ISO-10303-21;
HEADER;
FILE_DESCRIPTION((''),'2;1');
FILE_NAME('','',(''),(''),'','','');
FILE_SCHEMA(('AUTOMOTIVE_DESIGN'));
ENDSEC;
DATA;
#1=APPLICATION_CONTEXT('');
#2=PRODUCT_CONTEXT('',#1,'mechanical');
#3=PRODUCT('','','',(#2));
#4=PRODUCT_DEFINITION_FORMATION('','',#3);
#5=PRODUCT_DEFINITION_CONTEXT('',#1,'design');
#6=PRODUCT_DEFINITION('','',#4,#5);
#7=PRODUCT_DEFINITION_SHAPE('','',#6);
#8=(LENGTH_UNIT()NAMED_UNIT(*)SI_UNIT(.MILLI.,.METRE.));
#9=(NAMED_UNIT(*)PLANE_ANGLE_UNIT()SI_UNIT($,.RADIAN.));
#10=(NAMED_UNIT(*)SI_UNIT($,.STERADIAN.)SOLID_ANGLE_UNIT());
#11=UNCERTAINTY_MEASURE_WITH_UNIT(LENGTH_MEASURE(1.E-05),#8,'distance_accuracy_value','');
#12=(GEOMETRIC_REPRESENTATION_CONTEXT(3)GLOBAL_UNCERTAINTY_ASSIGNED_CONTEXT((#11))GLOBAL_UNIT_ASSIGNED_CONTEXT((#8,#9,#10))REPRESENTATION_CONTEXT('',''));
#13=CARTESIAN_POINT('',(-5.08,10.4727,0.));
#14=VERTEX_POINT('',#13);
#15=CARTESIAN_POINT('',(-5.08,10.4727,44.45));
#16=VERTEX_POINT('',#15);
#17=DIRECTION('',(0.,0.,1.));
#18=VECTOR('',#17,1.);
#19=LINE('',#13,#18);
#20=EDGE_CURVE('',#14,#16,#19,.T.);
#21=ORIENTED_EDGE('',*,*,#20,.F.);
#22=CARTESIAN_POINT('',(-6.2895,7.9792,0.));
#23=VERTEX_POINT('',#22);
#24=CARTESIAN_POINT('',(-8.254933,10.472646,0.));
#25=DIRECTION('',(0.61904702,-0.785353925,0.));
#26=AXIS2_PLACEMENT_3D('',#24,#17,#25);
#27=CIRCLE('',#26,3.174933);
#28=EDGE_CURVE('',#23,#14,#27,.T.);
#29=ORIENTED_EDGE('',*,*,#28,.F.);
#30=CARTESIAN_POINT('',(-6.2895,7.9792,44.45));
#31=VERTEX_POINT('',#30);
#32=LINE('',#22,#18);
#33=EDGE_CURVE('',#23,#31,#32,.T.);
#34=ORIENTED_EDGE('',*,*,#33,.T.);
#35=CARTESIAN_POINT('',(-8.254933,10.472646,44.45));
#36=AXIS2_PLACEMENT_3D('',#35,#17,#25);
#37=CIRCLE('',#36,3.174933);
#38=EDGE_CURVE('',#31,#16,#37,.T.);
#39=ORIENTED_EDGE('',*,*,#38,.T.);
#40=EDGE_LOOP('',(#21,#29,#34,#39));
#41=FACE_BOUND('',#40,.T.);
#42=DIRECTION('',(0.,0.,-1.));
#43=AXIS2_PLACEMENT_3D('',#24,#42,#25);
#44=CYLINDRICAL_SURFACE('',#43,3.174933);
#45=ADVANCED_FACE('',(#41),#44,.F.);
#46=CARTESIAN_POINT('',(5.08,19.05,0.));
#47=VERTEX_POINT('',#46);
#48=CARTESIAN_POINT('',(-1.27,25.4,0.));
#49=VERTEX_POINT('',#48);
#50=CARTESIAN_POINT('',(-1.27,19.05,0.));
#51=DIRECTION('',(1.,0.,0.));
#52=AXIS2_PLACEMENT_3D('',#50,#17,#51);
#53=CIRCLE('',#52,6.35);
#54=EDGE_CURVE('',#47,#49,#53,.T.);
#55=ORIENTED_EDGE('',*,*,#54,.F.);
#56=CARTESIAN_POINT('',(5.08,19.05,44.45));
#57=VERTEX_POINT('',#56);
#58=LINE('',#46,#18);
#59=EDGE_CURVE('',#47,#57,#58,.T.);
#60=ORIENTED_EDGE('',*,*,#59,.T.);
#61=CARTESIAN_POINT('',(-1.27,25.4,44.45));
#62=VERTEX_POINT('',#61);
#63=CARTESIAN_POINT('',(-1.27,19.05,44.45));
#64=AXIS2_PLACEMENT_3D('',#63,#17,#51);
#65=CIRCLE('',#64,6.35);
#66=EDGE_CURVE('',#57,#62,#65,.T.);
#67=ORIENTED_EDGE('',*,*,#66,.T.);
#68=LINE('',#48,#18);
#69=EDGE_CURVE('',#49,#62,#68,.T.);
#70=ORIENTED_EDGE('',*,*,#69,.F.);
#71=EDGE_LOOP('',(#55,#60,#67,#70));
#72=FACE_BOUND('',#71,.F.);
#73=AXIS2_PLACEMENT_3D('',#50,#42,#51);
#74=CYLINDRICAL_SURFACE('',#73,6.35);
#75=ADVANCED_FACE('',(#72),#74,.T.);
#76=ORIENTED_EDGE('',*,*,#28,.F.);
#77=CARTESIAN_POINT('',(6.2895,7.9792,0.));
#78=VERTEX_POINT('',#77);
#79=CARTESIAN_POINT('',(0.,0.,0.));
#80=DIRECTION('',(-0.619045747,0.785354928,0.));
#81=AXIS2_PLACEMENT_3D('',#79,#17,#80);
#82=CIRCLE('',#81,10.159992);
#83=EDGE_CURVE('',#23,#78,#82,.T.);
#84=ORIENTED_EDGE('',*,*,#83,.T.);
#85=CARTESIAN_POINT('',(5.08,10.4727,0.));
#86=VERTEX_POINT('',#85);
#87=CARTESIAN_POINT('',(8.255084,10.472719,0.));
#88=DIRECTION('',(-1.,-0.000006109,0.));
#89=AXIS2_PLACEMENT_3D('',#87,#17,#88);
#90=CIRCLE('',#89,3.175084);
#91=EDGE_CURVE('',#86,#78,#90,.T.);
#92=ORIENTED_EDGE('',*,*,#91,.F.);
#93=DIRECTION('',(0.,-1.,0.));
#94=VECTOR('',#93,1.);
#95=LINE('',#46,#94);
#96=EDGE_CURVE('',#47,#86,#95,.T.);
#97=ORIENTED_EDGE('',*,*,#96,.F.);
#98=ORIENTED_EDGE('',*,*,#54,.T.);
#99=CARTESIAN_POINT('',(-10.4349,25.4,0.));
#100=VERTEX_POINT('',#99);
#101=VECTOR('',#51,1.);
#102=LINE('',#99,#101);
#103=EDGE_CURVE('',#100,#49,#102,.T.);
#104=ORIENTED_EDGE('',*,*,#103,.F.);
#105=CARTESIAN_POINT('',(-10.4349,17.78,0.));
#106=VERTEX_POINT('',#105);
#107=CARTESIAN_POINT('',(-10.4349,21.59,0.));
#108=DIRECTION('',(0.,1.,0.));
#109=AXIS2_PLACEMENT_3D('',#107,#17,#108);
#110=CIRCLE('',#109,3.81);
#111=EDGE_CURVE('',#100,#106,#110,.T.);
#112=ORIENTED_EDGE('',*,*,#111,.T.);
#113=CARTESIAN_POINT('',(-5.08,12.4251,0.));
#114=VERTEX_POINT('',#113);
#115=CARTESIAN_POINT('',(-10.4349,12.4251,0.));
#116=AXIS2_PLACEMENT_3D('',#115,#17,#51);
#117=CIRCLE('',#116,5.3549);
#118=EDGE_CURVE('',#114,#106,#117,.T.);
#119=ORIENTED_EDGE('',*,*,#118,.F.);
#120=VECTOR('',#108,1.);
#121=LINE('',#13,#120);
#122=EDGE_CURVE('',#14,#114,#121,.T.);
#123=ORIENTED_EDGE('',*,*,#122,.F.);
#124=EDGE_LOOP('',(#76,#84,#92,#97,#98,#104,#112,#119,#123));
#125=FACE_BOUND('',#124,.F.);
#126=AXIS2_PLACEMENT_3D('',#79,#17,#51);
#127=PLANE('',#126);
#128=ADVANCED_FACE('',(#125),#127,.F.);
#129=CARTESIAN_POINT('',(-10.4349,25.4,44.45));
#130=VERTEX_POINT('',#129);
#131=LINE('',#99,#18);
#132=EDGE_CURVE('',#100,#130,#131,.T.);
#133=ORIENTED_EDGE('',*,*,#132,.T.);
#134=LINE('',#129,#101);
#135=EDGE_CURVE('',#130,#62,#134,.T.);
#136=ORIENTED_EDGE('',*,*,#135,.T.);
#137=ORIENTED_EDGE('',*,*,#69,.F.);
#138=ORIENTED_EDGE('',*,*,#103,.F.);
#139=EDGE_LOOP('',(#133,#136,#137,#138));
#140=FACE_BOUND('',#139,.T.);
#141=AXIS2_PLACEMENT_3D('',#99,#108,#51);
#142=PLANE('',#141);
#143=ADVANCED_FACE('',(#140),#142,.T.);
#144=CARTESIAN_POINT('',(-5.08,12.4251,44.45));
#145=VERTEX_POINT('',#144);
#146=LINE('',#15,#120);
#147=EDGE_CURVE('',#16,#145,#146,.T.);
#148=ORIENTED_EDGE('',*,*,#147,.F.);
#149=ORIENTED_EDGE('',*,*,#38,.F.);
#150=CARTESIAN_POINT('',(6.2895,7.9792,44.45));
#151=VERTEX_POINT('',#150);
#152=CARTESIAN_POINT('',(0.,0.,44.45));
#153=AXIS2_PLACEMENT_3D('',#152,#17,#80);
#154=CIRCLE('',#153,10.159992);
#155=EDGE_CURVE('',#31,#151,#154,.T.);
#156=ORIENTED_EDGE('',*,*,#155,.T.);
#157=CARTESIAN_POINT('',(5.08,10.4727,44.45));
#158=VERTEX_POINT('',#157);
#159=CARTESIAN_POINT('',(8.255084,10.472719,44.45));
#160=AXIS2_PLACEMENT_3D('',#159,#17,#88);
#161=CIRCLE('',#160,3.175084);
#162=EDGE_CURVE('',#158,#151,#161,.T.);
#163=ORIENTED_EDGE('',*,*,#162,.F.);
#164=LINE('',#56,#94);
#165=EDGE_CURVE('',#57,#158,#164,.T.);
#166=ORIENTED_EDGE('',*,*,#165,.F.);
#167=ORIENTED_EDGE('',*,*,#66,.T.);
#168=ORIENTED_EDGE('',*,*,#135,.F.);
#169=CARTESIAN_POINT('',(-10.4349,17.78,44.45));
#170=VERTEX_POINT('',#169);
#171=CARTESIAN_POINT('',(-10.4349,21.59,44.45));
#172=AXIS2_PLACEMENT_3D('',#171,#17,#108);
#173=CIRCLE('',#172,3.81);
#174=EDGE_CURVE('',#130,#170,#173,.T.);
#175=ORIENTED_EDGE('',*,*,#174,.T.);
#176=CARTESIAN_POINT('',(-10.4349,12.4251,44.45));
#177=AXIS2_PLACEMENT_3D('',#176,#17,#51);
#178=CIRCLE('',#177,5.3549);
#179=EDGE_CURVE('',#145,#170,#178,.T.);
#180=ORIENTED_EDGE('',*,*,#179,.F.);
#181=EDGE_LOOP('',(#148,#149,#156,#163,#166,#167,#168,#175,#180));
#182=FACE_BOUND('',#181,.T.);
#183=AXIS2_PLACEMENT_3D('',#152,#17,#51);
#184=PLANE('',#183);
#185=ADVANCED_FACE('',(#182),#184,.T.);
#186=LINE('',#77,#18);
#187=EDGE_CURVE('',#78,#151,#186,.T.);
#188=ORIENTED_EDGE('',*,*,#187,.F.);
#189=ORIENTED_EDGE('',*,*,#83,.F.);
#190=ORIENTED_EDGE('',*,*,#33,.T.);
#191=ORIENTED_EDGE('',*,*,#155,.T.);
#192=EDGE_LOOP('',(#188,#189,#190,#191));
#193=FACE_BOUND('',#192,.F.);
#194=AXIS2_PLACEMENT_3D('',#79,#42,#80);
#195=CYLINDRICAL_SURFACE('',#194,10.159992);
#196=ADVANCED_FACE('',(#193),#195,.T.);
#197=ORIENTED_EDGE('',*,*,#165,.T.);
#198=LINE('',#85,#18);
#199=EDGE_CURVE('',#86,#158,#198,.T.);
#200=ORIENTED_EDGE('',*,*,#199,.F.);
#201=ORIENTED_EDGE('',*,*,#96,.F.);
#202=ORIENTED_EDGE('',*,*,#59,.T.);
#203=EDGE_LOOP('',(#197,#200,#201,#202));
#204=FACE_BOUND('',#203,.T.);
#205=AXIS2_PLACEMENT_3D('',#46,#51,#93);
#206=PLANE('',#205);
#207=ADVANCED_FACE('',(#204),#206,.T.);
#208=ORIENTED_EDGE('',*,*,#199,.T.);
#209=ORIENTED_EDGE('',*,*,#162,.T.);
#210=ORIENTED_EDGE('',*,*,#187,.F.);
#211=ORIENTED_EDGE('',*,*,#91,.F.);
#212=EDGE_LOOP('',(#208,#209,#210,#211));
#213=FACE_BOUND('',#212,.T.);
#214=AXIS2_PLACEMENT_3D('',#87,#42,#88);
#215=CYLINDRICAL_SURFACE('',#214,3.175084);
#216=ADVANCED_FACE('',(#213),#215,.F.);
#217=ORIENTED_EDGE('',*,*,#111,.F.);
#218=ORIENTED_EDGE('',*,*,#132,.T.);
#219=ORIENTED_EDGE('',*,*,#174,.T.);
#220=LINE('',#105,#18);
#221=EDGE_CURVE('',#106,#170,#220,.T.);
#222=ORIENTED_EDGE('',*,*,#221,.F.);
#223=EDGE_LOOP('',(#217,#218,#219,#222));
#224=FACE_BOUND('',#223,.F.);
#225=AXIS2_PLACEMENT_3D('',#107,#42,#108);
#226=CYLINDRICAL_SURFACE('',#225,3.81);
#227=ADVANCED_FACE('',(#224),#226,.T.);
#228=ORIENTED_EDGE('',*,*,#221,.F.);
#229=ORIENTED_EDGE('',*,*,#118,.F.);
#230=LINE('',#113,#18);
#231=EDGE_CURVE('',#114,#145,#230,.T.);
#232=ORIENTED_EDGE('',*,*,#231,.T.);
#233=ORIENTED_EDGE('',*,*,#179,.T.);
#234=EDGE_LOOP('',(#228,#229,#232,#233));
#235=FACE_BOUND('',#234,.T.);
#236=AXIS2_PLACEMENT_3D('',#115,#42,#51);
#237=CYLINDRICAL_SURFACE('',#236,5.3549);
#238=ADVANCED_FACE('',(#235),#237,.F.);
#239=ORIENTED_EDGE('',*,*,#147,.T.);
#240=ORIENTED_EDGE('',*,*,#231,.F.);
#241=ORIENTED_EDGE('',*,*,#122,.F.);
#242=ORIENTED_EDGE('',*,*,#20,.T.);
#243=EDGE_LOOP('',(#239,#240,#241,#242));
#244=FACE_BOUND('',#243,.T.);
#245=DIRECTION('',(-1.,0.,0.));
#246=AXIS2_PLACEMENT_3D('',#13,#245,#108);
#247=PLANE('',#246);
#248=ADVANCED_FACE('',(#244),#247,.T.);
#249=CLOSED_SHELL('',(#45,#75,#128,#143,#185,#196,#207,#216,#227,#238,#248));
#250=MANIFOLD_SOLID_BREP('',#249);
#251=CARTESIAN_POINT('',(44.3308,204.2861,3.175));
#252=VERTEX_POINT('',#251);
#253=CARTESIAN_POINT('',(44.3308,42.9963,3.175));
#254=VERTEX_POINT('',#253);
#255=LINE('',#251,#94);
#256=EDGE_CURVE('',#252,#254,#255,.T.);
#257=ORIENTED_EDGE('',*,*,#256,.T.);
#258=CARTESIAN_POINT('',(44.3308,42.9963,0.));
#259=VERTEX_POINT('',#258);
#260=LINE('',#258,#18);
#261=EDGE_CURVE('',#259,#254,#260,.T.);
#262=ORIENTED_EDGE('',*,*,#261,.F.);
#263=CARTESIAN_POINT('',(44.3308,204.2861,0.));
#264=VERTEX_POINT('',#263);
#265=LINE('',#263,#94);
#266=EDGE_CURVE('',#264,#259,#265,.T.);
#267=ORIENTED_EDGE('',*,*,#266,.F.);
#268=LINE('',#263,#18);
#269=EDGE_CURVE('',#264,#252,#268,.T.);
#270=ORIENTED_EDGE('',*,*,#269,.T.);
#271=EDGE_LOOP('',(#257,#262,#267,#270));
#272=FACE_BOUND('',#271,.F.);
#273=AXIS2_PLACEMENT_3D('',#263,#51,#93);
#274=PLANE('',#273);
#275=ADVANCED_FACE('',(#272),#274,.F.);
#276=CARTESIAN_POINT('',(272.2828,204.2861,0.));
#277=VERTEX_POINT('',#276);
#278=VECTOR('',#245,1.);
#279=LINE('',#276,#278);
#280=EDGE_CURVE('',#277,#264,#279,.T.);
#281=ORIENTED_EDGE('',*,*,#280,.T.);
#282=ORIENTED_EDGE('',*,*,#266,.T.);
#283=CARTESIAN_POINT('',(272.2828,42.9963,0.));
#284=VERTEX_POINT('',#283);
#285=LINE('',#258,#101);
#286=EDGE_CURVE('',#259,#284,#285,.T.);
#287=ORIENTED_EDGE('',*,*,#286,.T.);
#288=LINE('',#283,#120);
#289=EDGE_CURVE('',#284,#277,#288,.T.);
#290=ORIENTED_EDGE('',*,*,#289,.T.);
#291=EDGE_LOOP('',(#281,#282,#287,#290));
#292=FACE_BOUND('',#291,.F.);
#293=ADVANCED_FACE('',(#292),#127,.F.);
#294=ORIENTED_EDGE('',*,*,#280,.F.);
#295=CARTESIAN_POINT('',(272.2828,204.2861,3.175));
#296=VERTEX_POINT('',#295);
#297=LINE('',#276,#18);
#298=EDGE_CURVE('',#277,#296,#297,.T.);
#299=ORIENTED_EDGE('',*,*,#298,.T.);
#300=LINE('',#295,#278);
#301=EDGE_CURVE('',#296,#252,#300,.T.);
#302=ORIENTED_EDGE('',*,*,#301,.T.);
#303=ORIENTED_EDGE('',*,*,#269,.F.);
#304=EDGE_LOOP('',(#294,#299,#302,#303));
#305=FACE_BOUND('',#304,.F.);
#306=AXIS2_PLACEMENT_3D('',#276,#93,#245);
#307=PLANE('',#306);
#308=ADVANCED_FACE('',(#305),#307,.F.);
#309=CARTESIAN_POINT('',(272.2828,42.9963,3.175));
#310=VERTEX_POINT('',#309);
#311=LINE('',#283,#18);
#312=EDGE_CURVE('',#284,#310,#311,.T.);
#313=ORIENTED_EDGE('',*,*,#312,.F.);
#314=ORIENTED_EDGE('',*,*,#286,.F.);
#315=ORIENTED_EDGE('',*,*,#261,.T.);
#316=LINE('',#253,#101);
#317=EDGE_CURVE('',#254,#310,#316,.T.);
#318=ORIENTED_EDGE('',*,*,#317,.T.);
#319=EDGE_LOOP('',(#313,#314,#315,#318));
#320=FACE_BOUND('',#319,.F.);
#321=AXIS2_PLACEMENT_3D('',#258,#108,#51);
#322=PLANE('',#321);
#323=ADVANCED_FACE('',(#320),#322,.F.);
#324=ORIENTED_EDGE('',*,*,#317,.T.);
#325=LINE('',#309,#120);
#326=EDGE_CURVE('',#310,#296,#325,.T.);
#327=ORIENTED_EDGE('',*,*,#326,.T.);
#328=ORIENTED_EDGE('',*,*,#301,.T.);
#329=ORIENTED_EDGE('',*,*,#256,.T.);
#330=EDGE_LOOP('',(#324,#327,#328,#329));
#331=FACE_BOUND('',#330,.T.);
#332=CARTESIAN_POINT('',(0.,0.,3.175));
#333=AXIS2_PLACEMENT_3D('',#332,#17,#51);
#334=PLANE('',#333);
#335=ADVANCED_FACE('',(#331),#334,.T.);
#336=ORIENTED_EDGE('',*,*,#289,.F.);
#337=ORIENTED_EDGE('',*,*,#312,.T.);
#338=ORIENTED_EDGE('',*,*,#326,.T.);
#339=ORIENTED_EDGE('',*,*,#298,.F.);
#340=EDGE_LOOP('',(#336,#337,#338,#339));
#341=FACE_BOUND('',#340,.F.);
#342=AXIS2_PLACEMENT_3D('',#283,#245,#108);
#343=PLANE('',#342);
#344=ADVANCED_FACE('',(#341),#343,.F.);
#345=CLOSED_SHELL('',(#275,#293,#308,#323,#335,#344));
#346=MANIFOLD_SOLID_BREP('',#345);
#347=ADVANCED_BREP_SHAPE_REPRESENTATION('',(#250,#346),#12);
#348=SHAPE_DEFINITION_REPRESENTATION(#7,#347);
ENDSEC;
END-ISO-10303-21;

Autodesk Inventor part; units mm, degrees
sketch "Sketch1" plane through (0, 0, 0) normal (0, 0, 1) x (1, 0, 0)
  line L0 (44.3308, 42.9963) -> (272.2828, 42.9963)
  line L1 (272.2828, 42.9963) -> (272.2828, 204.2861)
  line L2 (272.2828, 204.2861) -> (44.3308, 204.2861)
  line L3 (44.3308, 204.2861) -> (44.3308, 42.9963)
  point P0 (0, 0)
extrude "Extrusion1" add sketch "Sketch1" along normal blind 3.175
sketch "Sketch2" plane through (0, 0, 0) normal (0, 0, 1) x (1, 0, 0)
  arc A0 (-6.2895, 7.9792) -> (6.2895, 7.9792) centre (0, 0) ccw
  line L0 (-5.08, 10.4727) -> (-5.08, 12.4251)
  arc A1 (-5.08, 12.4251) -> (-10.4349, 17.78) centre (-10.4349, 12.4251) ccw
  arc A2 (-10.4349, 25.4) -> (-10.4349, 17.78) centre (-10.4349, 21.59) ccw
  line L1 (-10.4349, 25.4) -> (-1.27, 25.4)
  arc A3 (5.08, 19.05) -> (-1.27, 25.4) centre (-1.27, 19.05) ccw
  line L2 (5.08, 19.05) -> (5.08, 10.4727)
  arc A4 (-6.2895, 7.9792) -> (-5.08, 10.4727) centre (-8.255, 10.4727) ccw
  arc A5 (5.08, 10.4727) -> (6.2895, 7.9792) centre (8.255, 10.4727) ccw
  point P0 (-5.08, 8.7988)
  point P1 (5.08, 8.7988)
  dimension "d4" = 3.175
  dimension "d5" = 10.16
  dimension "d6" = 3.81
  dimension "d7" = 5.3549
  dimension "d8" = 6.35
  dimension "d9" = 25.4
  dimension "d10" = 10.16
  dimension "d11" = 5.08
extrude "Extrusion2" add sketch "Sketch2" along normal blind 44.45 separate body
equation "\"d10\" = 2 * d11"
properties part number "PunchBooleanExample"
